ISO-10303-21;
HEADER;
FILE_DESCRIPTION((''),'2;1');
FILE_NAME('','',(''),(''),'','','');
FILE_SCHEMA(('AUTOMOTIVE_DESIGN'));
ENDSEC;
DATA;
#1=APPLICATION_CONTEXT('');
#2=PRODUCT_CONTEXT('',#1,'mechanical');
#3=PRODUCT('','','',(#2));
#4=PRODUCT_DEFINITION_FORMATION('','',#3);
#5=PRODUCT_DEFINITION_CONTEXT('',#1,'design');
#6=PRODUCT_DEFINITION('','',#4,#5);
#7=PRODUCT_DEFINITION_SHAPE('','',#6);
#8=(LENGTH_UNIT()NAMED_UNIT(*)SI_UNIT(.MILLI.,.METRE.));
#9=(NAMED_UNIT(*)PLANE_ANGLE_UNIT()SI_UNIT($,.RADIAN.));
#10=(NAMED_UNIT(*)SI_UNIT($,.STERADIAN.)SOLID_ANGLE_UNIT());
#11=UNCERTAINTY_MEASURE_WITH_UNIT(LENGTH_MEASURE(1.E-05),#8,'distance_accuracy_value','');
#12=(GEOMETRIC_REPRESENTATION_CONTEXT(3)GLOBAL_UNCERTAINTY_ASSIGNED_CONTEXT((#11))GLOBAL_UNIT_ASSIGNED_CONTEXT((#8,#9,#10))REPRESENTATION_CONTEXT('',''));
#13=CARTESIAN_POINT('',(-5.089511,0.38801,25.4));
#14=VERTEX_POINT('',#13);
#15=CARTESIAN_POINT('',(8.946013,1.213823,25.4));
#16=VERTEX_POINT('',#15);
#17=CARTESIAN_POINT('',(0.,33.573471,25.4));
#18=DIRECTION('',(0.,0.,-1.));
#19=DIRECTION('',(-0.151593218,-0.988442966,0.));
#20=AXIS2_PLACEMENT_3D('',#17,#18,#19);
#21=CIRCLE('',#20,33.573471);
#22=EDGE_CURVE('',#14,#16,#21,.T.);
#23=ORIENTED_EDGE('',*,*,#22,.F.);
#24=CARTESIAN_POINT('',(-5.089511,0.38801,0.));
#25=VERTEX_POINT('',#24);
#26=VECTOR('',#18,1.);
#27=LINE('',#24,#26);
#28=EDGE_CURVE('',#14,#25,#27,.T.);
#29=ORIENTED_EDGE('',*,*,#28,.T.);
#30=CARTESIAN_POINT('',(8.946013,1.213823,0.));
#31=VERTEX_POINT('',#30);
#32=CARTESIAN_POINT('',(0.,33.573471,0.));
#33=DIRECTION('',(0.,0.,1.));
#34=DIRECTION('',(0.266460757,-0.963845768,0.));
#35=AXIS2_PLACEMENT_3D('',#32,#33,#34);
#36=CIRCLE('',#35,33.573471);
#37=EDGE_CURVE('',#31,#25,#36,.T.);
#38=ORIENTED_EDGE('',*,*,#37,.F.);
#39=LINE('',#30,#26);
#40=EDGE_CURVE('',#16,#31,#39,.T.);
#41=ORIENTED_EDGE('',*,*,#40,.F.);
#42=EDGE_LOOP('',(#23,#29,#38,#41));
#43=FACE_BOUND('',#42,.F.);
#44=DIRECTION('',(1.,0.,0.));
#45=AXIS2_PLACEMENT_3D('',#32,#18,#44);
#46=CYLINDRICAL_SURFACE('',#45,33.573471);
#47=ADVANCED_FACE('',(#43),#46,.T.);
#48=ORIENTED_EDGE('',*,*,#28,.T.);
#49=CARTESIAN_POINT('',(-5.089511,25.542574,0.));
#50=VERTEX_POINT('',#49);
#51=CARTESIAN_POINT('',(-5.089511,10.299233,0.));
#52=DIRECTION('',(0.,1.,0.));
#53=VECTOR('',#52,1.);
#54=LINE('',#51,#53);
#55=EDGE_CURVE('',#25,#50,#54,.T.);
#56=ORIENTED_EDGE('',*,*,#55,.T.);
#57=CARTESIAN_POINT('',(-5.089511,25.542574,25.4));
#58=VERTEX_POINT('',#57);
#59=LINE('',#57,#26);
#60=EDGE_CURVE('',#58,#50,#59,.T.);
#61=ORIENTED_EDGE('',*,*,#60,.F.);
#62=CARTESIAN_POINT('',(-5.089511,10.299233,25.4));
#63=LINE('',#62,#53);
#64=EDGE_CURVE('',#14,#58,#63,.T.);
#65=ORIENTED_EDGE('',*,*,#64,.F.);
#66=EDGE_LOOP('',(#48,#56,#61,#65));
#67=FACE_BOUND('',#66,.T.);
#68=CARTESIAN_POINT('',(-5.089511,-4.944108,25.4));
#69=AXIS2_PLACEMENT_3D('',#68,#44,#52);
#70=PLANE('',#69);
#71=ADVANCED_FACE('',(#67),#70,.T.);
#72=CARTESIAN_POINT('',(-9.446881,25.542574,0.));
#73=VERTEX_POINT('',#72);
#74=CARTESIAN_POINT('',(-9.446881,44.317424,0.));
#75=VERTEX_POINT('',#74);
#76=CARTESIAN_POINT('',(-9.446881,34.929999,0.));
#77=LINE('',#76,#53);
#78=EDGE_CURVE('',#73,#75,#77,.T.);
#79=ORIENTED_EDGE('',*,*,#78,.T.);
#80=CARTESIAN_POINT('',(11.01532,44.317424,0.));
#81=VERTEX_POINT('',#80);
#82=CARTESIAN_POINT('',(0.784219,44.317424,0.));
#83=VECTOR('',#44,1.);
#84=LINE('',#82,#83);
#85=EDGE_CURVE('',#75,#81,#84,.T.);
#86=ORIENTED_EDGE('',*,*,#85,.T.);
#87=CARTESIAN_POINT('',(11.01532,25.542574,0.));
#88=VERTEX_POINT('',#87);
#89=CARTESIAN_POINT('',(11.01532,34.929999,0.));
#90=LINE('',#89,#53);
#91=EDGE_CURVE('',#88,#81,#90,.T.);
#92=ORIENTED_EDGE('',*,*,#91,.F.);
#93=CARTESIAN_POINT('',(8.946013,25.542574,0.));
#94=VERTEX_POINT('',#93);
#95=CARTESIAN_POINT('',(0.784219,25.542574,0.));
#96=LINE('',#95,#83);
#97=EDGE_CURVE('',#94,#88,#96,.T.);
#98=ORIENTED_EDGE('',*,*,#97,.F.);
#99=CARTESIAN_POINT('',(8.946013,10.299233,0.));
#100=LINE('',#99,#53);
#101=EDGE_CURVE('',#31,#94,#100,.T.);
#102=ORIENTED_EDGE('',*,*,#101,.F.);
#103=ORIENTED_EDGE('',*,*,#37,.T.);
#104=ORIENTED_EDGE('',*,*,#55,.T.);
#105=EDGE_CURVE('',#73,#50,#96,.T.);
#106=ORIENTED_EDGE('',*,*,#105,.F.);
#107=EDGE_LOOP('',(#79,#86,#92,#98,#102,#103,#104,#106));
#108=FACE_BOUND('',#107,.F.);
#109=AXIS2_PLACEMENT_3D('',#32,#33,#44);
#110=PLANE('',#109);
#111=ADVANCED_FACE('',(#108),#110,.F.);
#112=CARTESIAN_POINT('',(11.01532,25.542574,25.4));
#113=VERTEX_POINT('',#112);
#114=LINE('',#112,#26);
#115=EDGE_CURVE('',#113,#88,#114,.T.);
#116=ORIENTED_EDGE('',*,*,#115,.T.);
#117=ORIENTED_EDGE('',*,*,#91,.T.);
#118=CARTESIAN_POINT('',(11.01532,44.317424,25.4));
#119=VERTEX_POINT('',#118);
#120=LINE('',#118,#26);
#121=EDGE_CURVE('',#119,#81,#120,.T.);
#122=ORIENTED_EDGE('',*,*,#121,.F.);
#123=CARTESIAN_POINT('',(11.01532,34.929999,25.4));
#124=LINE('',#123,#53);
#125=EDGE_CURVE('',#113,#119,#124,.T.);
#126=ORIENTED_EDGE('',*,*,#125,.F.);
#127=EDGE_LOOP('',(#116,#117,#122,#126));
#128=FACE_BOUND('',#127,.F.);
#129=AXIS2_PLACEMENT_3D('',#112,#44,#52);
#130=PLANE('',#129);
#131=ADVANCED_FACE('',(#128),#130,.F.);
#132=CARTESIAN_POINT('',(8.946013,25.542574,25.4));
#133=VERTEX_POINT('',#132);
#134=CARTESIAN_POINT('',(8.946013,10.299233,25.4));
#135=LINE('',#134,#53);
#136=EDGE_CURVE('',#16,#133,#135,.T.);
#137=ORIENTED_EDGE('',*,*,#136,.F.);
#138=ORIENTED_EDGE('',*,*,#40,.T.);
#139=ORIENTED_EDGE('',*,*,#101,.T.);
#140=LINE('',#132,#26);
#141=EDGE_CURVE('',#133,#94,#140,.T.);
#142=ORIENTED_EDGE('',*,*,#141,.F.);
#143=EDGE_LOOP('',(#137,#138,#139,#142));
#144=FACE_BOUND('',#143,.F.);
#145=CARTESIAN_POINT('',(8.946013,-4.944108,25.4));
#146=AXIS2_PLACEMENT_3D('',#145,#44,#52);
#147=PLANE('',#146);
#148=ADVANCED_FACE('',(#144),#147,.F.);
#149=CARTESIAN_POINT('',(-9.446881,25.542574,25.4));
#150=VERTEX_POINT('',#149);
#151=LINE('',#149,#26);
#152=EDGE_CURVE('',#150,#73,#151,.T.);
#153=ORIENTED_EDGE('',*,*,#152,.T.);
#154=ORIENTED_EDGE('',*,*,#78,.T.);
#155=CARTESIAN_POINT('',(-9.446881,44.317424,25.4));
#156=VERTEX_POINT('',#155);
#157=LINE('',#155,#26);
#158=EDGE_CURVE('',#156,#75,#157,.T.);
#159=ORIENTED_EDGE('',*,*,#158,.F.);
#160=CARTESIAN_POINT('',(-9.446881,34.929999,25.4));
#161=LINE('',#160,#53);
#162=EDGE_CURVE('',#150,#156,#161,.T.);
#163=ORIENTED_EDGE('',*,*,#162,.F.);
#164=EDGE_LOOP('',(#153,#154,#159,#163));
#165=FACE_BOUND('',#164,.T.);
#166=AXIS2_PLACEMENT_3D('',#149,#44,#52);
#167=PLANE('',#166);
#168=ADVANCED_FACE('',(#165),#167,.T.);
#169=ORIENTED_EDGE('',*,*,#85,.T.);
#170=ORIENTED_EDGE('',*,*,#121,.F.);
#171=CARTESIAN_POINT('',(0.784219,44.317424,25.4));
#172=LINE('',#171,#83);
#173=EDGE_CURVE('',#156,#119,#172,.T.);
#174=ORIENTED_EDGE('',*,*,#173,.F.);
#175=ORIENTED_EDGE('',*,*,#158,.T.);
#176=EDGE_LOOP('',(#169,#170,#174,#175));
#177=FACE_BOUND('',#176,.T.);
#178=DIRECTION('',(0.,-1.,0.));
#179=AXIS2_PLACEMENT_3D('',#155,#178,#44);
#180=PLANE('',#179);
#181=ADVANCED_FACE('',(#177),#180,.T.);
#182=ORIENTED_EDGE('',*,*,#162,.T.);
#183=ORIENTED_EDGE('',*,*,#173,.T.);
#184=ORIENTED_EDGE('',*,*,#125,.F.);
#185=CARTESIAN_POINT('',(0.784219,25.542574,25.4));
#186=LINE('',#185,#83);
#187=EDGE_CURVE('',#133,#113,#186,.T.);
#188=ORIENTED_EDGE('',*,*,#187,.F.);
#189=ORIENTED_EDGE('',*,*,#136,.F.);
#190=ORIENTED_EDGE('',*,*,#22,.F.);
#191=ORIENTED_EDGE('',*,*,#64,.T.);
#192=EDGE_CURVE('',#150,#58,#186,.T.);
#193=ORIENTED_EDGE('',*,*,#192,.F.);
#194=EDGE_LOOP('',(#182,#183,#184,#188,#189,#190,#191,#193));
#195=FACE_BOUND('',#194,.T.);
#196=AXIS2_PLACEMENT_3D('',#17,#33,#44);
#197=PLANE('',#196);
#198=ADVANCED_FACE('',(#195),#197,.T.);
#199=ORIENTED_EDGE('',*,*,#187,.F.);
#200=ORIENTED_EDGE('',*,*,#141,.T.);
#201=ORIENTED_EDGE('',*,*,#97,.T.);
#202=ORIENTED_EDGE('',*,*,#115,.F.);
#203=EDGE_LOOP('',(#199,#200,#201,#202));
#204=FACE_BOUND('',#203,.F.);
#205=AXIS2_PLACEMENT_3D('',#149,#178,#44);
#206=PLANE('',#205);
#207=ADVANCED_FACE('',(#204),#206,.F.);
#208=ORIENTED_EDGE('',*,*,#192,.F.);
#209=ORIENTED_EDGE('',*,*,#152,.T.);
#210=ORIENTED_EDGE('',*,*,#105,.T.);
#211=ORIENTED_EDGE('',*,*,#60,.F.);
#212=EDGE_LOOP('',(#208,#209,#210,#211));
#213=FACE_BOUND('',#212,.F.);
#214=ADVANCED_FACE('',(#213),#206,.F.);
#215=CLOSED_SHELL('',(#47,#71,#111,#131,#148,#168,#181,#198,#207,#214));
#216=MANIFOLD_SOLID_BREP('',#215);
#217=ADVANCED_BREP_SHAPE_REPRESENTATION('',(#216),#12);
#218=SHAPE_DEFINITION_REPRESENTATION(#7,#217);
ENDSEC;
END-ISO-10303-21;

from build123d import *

# Parameters (mm, degrees)
F0_R     = 33.573471
F1_DEPTH = 25.4
F2_W     = 30.792393
F2_H     = 28.740146
F3_DEPTH = 25.4
F5_W     = 20.462201
F5_H     = 18.77485
F6_DEPTH = 25.4
F7_W     = 14.035523
F7_H     = 30.486682
F8_DEPTH = 25.4


with BuildPart() as f1:
    # F0 (on Top) → F1 (new body)
    with BuildSketch(Plane.XY):
        with Locations((0, 33.573471)):
            Circle(F0_R)
    extrude(amount=F1_DEPTH)

    # F5 (on face) → F6 (cut)
    with BuildSketch(Plane.XY.offset(25.4)):
        with Locations((0.784219, 34.929999)):
            Rectangle(F5_W, F5_H)
    extrude(amount=-F6_DEPTH, mode=Mode.SUBTRACT)

    # F7 (on face) → F8 (cut)
    with BuildSketch(Plane.XY.offset(25.4)):
        with Locations((1.928251, 10.299233)):
            Rectangle(F7_W, F7_H)
    extrude(amount=-F8_DEPTH, mode=Mode.SUBTRACT)


with BuildPart() as f3:
    # F2 (on Top) → F3 (new body)
    with BuildSketch(Plane.XY):
        with Locations((-49.557659, -41.295018)):
            Rectangle(F2_W, F2_H)
    extrude(amount=F3_DEPTH)


solid = f1.part
